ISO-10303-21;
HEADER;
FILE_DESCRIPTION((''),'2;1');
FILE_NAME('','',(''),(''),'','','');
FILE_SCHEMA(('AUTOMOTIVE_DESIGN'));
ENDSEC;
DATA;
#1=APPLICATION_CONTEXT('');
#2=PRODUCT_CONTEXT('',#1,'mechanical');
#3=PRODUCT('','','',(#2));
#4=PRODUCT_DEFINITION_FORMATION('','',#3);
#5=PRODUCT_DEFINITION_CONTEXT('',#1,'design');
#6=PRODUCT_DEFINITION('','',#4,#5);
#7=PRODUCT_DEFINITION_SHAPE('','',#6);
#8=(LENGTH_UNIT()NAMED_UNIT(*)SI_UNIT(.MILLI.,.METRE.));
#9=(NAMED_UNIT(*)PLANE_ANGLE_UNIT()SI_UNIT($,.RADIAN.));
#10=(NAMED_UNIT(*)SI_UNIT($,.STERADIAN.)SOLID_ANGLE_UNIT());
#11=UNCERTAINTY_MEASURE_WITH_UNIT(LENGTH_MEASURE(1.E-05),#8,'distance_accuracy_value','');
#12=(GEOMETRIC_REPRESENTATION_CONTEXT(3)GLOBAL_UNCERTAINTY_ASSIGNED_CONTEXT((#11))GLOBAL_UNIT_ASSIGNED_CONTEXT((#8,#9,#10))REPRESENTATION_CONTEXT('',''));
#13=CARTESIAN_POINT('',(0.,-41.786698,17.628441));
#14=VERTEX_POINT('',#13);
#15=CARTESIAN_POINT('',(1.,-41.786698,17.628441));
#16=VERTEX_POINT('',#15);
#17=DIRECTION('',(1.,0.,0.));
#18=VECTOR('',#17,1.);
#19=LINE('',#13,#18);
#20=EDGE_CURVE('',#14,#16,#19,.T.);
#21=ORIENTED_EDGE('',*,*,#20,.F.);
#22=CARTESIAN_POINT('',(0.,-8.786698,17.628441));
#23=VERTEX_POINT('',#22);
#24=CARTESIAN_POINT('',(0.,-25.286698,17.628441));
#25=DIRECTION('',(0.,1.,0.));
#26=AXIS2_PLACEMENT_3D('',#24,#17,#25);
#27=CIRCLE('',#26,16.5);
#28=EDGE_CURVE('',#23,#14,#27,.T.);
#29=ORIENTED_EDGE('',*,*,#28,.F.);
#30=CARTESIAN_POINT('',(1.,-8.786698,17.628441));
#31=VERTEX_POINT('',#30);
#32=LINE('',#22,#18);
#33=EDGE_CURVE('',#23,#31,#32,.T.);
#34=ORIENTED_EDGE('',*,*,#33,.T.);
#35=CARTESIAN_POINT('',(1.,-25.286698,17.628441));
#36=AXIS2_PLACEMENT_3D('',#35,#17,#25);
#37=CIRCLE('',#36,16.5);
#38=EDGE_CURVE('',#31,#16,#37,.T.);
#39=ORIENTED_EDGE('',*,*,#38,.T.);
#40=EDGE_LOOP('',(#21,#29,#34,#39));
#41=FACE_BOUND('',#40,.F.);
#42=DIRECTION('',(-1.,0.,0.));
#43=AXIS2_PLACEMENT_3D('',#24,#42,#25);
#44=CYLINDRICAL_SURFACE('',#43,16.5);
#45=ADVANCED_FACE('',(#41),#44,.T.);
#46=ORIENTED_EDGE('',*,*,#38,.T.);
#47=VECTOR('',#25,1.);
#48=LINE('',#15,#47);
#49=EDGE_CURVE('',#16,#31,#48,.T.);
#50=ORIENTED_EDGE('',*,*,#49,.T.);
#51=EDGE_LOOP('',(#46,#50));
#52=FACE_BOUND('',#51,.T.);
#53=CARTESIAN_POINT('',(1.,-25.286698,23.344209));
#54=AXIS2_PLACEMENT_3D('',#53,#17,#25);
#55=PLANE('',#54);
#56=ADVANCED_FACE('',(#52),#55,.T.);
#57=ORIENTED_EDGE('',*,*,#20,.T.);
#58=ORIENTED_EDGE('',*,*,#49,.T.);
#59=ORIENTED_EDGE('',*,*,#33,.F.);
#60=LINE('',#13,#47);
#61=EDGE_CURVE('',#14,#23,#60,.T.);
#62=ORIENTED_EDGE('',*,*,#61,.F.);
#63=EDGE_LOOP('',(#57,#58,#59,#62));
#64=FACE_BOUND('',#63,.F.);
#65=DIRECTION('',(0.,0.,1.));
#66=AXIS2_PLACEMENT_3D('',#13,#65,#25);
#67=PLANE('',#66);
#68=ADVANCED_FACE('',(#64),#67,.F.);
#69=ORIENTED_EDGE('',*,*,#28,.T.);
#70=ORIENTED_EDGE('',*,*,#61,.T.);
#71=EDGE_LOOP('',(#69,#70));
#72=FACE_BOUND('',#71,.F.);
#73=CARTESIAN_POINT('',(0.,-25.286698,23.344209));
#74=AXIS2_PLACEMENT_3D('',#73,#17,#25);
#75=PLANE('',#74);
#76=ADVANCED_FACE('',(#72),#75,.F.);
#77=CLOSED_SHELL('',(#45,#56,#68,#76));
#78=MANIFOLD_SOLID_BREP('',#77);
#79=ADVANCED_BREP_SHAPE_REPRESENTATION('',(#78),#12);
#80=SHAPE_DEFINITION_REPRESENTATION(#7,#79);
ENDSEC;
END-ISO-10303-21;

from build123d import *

# Parameters (mm, degrees)
F1_DEPTH = 1


with BuildPart() as f1:
    # F0 (on Right) → F1 (new body)
    with BuildSketch(Plane.YZ):
        with BuildLine():
            ThreePointArc((-8.786698, 17.628441), (-25.286698, 34.128441), (-41.786698, 17.628441))
            Line((-41.786698, 17.628441), (-25.286698, 17.628441))
            Line((-25.286698, 17.628441), (-8.786698, 17.628441))
        make_face()
    extrude(amount=F1_DEPTH)


solid = f1.part
